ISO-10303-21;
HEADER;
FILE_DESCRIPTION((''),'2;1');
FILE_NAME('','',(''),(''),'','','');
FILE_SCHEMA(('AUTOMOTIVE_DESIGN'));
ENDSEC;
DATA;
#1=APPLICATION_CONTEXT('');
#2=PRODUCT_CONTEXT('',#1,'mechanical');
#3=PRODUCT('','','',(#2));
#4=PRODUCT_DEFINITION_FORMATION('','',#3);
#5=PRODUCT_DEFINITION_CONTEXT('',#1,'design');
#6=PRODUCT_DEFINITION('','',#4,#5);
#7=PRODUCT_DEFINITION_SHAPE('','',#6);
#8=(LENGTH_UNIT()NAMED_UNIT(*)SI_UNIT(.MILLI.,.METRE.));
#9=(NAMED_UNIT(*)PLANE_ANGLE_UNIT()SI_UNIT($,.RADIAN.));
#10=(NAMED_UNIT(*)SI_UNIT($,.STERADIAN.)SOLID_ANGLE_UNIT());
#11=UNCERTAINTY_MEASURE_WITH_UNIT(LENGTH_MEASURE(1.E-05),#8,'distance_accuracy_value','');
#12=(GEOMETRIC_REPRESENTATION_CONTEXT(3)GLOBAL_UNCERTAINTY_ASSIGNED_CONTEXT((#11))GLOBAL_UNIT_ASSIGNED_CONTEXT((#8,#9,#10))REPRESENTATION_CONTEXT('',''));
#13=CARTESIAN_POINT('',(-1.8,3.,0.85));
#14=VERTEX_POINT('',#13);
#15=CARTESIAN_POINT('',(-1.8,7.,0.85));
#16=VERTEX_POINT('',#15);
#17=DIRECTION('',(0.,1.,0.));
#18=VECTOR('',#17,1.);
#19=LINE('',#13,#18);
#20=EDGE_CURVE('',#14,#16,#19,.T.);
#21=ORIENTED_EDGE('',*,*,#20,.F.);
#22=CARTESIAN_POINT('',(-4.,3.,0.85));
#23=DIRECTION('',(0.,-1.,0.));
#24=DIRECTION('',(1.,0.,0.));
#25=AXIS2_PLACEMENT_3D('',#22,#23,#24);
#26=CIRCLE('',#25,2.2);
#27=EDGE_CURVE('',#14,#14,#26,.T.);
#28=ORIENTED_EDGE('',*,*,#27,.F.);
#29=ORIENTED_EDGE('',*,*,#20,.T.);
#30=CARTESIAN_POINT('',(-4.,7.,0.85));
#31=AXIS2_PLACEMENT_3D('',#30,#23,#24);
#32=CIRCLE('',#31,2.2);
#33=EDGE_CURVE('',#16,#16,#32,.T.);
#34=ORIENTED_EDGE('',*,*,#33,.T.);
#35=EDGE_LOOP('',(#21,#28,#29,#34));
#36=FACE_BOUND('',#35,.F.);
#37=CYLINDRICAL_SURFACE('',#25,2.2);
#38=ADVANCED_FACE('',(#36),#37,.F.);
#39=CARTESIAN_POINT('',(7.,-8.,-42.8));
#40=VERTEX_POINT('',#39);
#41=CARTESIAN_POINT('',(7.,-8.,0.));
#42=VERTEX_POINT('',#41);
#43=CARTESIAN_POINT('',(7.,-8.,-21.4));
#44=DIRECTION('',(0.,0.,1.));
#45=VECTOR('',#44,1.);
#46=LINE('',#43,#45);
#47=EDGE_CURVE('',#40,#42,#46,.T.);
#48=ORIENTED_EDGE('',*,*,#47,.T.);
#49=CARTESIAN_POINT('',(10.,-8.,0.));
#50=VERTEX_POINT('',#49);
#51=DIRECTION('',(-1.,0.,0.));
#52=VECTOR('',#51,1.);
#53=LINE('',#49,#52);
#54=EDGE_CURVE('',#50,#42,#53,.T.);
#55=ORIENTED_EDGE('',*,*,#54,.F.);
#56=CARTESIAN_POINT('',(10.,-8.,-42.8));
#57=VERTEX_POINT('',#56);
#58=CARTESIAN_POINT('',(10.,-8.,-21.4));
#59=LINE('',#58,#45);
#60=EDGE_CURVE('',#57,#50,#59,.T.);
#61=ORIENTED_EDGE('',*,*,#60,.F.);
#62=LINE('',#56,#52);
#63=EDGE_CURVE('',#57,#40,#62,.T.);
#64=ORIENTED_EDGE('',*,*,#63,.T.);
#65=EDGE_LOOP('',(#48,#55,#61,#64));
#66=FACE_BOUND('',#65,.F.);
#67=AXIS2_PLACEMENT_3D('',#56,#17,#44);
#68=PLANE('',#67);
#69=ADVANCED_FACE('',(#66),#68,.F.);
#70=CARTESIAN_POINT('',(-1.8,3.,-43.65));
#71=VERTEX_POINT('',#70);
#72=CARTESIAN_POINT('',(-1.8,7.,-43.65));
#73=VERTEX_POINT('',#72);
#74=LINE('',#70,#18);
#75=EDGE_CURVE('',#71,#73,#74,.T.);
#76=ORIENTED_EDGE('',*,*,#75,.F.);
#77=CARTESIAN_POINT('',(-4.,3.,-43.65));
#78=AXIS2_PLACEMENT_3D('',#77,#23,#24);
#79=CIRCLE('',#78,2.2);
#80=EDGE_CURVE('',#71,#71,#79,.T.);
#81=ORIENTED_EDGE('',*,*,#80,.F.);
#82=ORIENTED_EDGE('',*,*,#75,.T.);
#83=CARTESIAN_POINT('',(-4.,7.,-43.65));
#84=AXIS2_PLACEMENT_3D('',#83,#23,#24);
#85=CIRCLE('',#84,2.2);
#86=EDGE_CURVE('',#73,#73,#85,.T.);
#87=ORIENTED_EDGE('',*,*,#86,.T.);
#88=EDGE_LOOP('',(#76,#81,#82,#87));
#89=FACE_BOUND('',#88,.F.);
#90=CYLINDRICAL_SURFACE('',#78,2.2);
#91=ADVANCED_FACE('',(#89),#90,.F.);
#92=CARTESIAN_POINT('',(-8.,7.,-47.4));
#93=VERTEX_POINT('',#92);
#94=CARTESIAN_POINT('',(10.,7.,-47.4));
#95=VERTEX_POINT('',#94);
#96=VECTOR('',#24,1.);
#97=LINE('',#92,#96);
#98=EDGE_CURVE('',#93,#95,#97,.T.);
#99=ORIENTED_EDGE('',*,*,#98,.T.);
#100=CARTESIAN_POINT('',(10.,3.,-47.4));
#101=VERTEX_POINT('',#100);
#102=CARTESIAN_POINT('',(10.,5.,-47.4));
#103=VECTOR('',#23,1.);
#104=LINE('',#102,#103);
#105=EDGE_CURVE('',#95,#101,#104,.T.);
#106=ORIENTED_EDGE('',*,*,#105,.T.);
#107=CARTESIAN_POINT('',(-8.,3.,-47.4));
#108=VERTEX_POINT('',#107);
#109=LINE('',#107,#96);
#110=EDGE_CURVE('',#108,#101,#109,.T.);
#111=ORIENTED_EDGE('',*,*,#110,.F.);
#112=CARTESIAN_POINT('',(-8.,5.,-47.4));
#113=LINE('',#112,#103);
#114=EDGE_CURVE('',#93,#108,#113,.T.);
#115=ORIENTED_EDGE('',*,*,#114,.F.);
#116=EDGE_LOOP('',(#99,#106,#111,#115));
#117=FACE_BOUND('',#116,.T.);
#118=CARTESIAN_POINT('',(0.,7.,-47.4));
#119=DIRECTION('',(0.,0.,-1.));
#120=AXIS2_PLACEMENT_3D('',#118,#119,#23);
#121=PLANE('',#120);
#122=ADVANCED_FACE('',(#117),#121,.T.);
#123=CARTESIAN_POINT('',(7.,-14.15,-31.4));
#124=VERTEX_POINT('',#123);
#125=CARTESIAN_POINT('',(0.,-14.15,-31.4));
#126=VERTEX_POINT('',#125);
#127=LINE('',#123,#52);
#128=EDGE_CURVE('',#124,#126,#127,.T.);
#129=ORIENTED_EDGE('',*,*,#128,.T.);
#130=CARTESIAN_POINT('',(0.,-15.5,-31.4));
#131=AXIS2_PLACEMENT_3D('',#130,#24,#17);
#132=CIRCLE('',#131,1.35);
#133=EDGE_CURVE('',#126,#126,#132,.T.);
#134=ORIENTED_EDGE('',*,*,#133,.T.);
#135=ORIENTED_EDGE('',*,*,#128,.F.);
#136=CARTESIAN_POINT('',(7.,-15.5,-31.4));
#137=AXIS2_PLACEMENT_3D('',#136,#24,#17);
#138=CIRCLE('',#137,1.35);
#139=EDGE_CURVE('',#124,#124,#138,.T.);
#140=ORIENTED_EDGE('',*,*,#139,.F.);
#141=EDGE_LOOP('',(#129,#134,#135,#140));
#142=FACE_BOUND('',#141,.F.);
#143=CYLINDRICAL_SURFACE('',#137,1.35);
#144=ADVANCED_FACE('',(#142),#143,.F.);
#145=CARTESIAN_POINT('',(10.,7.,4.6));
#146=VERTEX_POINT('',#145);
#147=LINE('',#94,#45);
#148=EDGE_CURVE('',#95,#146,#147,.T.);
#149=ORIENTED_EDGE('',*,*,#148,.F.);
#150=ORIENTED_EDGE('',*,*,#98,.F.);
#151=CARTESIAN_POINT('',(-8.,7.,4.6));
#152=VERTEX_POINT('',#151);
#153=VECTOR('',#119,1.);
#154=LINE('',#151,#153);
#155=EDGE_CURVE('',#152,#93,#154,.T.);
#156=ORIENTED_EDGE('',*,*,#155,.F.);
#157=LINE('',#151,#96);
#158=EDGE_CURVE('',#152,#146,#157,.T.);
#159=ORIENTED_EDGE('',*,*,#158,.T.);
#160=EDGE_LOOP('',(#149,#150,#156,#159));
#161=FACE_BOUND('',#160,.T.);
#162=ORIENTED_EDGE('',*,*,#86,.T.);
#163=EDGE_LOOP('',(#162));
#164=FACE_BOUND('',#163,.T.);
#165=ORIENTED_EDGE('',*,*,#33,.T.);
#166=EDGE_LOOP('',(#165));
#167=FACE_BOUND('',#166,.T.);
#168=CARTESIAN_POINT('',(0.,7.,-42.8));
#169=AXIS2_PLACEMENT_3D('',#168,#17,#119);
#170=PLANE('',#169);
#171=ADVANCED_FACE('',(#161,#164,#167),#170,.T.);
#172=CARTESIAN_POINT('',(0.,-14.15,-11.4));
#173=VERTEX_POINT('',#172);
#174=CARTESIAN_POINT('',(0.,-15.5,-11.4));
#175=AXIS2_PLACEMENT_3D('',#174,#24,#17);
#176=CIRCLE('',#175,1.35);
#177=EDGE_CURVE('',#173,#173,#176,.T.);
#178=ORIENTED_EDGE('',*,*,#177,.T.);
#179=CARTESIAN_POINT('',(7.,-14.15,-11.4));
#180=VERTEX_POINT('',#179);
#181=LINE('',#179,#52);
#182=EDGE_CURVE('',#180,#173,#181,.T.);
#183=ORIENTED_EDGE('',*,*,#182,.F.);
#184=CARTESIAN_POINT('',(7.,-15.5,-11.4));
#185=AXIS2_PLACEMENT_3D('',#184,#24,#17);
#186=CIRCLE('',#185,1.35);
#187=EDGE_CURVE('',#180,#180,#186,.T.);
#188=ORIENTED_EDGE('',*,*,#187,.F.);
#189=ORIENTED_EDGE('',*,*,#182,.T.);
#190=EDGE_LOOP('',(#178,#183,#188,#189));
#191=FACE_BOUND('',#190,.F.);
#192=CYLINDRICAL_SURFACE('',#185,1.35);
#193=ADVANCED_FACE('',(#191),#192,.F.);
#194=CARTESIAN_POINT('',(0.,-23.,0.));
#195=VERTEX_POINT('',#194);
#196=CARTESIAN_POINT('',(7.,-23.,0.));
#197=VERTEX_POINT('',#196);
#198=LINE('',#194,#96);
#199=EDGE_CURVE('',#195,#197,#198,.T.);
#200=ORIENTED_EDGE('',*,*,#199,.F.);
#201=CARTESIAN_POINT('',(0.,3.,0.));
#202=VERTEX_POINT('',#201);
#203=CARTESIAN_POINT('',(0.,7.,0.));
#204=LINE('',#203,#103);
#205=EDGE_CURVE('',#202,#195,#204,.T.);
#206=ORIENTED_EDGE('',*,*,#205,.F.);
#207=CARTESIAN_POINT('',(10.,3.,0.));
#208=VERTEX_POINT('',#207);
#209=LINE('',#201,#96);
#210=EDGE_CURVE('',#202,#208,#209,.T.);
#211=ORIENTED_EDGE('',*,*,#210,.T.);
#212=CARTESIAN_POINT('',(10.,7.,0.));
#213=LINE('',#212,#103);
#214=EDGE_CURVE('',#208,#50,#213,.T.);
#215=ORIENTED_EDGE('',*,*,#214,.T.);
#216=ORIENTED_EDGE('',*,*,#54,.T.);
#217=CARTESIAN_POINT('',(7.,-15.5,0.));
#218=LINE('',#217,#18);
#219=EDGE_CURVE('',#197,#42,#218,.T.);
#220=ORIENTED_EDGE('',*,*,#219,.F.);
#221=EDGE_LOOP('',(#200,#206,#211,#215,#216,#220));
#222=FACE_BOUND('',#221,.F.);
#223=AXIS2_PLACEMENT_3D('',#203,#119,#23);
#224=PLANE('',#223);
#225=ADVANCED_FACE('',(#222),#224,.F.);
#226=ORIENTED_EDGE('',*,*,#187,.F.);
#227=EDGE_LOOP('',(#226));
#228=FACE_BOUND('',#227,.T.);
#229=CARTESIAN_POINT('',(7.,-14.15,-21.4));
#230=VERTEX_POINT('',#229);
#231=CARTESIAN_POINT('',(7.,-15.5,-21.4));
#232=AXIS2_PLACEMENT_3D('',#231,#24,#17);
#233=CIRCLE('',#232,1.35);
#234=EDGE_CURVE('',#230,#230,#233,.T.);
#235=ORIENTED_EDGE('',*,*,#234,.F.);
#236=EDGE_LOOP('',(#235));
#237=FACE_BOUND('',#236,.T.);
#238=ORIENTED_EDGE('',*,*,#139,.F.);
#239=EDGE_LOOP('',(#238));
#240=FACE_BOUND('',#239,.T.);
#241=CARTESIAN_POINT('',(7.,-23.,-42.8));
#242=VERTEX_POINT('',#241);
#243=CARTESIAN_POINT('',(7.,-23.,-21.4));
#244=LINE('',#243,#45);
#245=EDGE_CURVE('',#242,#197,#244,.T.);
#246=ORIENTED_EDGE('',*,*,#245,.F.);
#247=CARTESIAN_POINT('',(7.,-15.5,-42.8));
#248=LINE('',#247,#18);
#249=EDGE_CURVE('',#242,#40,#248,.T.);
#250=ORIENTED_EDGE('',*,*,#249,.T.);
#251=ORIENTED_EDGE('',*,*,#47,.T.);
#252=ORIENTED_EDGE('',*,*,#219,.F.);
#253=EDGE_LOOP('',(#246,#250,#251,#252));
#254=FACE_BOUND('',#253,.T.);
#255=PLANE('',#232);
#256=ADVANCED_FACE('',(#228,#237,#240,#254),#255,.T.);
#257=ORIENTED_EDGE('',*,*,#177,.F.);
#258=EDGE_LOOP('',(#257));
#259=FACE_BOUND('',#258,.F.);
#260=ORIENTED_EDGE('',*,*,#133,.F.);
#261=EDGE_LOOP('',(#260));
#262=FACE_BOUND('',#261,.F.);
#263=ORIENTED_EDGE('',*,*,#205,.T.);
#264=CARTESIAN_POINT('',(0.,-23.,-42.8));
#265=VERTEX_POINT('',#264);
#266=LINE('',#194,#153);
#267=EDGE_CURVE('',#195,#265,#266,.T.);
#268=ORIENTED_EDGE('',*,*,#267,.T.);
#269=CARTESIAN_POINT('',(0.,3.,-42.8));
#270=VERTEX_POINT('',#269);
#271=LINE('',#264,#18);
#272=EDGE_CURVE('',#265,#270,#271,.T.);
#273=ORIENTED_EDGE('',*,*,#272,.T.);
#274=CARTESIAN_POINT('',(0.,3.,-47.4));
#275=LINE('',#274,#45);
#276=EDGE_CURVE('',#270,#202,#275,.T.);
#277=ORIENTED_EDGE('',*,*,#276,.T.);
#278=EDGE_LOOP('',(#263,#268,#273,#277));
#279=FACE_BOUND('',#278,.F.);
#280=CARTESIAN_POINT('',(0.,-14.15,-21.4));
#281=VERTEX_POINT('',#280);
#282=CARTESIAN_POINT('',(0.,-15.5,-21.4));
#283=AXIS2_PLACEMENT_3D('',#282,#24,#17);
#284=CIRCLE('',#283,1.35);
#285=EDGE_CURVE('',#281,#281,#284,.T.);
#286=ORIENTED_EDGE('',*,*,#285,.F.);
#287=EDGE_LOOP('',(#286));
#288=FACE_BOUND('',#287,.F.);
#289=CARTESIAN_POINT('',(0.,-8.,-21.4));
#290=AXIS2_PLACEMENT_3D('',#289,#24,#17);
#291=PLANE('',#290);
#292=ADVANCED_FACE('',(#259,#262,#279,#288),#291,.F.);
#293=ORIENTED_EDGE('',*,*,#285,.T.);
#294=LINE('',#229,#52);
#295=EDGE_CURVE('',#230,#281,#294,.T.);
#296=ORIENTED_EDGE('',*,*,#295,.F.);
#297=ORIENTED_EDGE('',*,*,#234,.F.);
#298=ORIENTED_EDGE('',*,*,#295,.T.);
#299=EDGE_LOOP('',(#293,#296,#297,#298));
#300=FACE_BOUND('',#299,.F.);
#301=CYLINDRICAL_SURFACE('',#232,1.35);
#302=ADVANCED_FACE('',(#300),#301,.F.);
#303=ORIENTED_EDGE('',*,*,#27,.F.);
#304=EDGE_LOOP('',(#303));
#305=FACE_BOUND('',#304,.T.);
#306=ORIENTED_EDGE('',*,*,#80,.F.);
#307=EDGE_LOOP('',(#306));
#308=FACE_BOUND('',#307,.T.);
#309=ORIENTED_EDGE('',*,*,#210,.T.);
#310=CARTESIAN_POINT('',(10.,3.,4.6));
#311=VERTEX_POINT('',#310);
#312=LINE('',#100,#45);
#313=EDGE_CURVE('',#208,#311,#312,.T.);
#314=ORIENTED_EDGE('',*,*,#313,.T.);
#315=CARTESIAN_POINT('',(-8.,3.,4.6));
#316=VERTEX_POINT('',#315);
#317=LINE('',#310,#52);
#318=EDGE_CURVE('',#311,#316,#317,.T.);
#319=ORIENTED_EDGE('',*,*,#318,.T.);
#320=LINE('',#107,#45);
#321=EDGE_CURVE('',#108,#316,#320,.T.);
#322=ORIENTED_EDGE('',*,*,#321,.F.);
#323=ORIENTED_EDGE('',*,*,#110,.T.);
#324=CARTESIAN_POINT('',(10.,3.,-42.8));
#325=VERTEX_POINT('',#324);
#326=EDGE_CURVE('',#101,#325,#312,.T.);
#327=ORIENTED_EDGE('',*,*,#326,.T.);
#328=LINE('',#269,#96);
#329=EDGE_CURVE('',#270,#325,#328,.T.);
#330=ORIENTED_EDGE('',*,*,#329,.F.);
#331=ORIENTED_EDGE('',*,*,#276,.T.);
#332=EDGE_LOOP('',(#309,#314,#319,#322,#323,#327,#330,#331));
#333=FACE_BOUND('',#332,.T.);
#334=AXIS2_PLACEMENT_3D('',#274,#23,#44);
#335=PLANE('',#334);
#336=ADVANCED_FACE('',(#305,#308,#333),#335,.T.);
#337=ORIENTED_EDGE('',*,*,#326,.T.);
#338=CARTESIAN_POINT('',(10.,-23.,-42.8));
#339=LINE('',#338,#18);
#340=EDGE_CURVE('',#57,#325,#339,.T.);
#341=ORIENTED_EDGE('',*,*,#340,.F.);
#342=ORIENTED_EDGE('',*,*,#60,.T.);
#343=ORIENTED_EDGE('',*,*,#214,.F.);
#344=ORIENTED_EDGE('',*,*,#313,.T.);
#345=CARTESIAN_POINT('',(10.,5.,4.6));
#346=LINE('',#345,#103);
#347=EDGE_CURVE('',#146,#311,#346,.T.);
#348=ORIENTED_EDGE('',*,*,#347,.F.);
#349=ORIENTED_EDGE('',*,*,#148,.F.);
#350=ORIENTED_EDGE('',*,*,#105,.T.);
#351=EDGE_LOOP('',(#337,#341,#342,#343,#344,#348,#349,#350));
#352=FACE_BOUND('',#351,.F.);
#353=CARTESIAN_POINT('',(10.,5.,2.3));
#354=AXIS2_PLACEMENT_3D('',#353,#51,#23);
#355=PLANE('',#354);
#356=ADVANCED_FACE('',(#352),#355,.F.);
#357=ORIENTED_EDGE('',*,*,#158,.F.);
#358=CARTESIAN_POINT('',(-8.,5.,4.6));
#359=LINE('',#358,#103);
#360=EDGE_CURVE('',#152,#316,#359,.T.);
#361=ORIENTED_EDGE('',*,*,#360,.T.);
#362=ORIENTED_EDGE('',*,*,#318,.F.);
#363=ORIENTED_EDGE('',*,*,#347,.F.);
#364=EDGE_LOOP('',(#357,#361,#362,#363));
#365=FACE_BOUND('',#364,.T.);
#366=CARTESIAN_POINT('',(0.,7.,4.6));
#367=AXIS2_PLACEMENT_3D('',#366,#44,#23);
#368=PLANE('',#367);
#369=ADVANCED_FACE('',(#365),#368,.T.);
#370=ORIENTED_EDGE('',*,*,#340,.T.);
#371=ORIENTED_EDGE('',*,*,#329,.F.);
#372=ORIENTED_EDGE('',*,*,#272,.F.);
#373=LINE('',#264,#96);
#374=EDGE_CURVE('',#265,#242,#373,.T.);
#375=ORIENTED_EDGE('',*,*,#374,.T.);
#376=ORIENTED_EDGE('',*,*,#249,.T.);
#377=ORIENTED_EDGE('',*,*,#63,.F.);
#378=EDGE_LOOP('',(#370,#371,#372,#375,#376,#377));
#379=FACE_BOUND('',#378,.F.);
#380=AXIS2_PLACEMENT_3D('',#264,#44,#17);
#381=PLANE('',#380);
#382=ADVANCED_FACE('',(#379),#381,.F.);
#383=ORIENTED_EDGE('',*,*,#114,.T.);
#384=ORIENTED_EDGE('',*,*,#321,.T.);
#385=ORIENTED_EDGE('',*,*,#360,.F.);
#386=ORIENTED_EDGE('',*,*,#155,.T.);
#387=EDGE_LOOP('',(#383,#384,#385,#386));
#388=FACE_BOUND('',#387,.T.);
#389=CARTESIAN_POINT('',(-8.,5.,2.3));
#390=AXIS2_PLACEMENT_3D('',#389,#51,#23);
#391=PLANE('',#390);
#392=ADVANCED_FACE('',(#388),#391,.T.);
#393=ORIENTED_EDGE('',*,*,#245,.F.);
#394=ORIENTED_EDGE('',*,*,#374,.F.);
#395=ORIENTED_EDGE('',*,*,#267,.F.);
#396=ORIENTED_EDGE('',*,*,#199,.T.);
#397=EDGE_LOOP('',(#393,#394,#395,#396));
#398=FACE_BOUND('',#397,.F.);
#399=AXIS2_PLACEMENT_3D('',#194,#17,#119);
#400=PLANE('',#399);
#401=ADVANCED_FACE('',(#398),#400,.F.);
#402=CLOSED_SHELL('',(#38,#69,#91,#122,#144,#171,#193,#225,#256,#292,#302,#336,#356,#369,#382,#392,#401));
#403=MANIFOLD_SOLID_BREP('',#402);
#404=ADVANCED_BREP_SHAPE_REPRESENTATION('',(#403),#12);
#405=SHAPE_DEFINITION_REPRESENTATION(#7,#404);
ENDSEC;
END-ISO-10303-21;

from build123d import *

# Parameters (mm, degrees)
F1_DEPTH  = 10
F2_W      = 15
F2_H      = 42.8
F3_DEPTH  = 3
F4_R      = 1.35
F5_DEPTH  = 7.001
F6_W      = 4
F6_H      = 4.6
F6_H_2    = 42.8
F7_DEPTH  = 8
F8_DEPTH  = 10
F9_R      = 2.2
F10_DEPTH = 4.001


with BuildPart() as f1:
    # F0 (on Right) → F1 (new body)
    with BuildSketch(Plane.YZ):
        Polygon((7, 0), (-23, 0), (-23, -42.8), (0, -42.8), (7, -42.8), align=None)
    extrude(amount=F1_DEPTH)

    # F2 (on face) → F3 (cut)
    with BuildSketch(Plane.YZ.offset(10)):
        with Locations((-15.5, -21.4)):
            Rectangle(F2_W, F2_H)
    extrude(amount=-F3_DEPTH, mode=Mode.SUBTRACT)

    # F4 (on face) → F5 (cut, through all)
    with BuildSketch(Plane.YZ.offset(7)):
        with Locations((-15.5, -21.4)):
            Circle(F4_R)
        with Locations((-15.5, -11.4)):
            Circle(F4_R)
        with Locations((-15.5, -31.4)):
            Circle(F4_R)
    extrude(amount=-F5_DEPTH, mode=Mode.SUBTRACT)

    # F6 (on face) → F7 (join)
    with BuildSketch(Plane(origin=(0, 0, 0), x_dir=(0, -1, 0), z_dir=(-1, 0, 0))):
        with Locations((-5, 2.3)):
            Rectangle(F6_W, F6_H)
        with Locations((-5, -45.1)):
            Rectangle(F6_W, F6_H)
        with Locations((-5, -21.4)):
            Rectangle(F6_W, F6_H_2)
    extrude(amount=F7_DEPTH)

    # F8 (add): faces of the model
    f8_faces = [f1.faces().sort_by_distance(p)[0] for p in [
        (0, 5, -45.1),
        (0, 5, 2.3),
    ]]
    extrude(f8_faces, amount=F8_DEPTH)

    # F9 (on face) → F10 (cut, through all)
    with BuildSketch(Plane.XZ.offset(-3)):
        with Locations((-4, 0.85)):
            Circle(F9_R)
        with Locations((-4, -43.65)):
            Circle(F9_R)
    extrude(amount=-F10_DEPTH, mode=Mode.SUBTRACT)


solid = f1.part
